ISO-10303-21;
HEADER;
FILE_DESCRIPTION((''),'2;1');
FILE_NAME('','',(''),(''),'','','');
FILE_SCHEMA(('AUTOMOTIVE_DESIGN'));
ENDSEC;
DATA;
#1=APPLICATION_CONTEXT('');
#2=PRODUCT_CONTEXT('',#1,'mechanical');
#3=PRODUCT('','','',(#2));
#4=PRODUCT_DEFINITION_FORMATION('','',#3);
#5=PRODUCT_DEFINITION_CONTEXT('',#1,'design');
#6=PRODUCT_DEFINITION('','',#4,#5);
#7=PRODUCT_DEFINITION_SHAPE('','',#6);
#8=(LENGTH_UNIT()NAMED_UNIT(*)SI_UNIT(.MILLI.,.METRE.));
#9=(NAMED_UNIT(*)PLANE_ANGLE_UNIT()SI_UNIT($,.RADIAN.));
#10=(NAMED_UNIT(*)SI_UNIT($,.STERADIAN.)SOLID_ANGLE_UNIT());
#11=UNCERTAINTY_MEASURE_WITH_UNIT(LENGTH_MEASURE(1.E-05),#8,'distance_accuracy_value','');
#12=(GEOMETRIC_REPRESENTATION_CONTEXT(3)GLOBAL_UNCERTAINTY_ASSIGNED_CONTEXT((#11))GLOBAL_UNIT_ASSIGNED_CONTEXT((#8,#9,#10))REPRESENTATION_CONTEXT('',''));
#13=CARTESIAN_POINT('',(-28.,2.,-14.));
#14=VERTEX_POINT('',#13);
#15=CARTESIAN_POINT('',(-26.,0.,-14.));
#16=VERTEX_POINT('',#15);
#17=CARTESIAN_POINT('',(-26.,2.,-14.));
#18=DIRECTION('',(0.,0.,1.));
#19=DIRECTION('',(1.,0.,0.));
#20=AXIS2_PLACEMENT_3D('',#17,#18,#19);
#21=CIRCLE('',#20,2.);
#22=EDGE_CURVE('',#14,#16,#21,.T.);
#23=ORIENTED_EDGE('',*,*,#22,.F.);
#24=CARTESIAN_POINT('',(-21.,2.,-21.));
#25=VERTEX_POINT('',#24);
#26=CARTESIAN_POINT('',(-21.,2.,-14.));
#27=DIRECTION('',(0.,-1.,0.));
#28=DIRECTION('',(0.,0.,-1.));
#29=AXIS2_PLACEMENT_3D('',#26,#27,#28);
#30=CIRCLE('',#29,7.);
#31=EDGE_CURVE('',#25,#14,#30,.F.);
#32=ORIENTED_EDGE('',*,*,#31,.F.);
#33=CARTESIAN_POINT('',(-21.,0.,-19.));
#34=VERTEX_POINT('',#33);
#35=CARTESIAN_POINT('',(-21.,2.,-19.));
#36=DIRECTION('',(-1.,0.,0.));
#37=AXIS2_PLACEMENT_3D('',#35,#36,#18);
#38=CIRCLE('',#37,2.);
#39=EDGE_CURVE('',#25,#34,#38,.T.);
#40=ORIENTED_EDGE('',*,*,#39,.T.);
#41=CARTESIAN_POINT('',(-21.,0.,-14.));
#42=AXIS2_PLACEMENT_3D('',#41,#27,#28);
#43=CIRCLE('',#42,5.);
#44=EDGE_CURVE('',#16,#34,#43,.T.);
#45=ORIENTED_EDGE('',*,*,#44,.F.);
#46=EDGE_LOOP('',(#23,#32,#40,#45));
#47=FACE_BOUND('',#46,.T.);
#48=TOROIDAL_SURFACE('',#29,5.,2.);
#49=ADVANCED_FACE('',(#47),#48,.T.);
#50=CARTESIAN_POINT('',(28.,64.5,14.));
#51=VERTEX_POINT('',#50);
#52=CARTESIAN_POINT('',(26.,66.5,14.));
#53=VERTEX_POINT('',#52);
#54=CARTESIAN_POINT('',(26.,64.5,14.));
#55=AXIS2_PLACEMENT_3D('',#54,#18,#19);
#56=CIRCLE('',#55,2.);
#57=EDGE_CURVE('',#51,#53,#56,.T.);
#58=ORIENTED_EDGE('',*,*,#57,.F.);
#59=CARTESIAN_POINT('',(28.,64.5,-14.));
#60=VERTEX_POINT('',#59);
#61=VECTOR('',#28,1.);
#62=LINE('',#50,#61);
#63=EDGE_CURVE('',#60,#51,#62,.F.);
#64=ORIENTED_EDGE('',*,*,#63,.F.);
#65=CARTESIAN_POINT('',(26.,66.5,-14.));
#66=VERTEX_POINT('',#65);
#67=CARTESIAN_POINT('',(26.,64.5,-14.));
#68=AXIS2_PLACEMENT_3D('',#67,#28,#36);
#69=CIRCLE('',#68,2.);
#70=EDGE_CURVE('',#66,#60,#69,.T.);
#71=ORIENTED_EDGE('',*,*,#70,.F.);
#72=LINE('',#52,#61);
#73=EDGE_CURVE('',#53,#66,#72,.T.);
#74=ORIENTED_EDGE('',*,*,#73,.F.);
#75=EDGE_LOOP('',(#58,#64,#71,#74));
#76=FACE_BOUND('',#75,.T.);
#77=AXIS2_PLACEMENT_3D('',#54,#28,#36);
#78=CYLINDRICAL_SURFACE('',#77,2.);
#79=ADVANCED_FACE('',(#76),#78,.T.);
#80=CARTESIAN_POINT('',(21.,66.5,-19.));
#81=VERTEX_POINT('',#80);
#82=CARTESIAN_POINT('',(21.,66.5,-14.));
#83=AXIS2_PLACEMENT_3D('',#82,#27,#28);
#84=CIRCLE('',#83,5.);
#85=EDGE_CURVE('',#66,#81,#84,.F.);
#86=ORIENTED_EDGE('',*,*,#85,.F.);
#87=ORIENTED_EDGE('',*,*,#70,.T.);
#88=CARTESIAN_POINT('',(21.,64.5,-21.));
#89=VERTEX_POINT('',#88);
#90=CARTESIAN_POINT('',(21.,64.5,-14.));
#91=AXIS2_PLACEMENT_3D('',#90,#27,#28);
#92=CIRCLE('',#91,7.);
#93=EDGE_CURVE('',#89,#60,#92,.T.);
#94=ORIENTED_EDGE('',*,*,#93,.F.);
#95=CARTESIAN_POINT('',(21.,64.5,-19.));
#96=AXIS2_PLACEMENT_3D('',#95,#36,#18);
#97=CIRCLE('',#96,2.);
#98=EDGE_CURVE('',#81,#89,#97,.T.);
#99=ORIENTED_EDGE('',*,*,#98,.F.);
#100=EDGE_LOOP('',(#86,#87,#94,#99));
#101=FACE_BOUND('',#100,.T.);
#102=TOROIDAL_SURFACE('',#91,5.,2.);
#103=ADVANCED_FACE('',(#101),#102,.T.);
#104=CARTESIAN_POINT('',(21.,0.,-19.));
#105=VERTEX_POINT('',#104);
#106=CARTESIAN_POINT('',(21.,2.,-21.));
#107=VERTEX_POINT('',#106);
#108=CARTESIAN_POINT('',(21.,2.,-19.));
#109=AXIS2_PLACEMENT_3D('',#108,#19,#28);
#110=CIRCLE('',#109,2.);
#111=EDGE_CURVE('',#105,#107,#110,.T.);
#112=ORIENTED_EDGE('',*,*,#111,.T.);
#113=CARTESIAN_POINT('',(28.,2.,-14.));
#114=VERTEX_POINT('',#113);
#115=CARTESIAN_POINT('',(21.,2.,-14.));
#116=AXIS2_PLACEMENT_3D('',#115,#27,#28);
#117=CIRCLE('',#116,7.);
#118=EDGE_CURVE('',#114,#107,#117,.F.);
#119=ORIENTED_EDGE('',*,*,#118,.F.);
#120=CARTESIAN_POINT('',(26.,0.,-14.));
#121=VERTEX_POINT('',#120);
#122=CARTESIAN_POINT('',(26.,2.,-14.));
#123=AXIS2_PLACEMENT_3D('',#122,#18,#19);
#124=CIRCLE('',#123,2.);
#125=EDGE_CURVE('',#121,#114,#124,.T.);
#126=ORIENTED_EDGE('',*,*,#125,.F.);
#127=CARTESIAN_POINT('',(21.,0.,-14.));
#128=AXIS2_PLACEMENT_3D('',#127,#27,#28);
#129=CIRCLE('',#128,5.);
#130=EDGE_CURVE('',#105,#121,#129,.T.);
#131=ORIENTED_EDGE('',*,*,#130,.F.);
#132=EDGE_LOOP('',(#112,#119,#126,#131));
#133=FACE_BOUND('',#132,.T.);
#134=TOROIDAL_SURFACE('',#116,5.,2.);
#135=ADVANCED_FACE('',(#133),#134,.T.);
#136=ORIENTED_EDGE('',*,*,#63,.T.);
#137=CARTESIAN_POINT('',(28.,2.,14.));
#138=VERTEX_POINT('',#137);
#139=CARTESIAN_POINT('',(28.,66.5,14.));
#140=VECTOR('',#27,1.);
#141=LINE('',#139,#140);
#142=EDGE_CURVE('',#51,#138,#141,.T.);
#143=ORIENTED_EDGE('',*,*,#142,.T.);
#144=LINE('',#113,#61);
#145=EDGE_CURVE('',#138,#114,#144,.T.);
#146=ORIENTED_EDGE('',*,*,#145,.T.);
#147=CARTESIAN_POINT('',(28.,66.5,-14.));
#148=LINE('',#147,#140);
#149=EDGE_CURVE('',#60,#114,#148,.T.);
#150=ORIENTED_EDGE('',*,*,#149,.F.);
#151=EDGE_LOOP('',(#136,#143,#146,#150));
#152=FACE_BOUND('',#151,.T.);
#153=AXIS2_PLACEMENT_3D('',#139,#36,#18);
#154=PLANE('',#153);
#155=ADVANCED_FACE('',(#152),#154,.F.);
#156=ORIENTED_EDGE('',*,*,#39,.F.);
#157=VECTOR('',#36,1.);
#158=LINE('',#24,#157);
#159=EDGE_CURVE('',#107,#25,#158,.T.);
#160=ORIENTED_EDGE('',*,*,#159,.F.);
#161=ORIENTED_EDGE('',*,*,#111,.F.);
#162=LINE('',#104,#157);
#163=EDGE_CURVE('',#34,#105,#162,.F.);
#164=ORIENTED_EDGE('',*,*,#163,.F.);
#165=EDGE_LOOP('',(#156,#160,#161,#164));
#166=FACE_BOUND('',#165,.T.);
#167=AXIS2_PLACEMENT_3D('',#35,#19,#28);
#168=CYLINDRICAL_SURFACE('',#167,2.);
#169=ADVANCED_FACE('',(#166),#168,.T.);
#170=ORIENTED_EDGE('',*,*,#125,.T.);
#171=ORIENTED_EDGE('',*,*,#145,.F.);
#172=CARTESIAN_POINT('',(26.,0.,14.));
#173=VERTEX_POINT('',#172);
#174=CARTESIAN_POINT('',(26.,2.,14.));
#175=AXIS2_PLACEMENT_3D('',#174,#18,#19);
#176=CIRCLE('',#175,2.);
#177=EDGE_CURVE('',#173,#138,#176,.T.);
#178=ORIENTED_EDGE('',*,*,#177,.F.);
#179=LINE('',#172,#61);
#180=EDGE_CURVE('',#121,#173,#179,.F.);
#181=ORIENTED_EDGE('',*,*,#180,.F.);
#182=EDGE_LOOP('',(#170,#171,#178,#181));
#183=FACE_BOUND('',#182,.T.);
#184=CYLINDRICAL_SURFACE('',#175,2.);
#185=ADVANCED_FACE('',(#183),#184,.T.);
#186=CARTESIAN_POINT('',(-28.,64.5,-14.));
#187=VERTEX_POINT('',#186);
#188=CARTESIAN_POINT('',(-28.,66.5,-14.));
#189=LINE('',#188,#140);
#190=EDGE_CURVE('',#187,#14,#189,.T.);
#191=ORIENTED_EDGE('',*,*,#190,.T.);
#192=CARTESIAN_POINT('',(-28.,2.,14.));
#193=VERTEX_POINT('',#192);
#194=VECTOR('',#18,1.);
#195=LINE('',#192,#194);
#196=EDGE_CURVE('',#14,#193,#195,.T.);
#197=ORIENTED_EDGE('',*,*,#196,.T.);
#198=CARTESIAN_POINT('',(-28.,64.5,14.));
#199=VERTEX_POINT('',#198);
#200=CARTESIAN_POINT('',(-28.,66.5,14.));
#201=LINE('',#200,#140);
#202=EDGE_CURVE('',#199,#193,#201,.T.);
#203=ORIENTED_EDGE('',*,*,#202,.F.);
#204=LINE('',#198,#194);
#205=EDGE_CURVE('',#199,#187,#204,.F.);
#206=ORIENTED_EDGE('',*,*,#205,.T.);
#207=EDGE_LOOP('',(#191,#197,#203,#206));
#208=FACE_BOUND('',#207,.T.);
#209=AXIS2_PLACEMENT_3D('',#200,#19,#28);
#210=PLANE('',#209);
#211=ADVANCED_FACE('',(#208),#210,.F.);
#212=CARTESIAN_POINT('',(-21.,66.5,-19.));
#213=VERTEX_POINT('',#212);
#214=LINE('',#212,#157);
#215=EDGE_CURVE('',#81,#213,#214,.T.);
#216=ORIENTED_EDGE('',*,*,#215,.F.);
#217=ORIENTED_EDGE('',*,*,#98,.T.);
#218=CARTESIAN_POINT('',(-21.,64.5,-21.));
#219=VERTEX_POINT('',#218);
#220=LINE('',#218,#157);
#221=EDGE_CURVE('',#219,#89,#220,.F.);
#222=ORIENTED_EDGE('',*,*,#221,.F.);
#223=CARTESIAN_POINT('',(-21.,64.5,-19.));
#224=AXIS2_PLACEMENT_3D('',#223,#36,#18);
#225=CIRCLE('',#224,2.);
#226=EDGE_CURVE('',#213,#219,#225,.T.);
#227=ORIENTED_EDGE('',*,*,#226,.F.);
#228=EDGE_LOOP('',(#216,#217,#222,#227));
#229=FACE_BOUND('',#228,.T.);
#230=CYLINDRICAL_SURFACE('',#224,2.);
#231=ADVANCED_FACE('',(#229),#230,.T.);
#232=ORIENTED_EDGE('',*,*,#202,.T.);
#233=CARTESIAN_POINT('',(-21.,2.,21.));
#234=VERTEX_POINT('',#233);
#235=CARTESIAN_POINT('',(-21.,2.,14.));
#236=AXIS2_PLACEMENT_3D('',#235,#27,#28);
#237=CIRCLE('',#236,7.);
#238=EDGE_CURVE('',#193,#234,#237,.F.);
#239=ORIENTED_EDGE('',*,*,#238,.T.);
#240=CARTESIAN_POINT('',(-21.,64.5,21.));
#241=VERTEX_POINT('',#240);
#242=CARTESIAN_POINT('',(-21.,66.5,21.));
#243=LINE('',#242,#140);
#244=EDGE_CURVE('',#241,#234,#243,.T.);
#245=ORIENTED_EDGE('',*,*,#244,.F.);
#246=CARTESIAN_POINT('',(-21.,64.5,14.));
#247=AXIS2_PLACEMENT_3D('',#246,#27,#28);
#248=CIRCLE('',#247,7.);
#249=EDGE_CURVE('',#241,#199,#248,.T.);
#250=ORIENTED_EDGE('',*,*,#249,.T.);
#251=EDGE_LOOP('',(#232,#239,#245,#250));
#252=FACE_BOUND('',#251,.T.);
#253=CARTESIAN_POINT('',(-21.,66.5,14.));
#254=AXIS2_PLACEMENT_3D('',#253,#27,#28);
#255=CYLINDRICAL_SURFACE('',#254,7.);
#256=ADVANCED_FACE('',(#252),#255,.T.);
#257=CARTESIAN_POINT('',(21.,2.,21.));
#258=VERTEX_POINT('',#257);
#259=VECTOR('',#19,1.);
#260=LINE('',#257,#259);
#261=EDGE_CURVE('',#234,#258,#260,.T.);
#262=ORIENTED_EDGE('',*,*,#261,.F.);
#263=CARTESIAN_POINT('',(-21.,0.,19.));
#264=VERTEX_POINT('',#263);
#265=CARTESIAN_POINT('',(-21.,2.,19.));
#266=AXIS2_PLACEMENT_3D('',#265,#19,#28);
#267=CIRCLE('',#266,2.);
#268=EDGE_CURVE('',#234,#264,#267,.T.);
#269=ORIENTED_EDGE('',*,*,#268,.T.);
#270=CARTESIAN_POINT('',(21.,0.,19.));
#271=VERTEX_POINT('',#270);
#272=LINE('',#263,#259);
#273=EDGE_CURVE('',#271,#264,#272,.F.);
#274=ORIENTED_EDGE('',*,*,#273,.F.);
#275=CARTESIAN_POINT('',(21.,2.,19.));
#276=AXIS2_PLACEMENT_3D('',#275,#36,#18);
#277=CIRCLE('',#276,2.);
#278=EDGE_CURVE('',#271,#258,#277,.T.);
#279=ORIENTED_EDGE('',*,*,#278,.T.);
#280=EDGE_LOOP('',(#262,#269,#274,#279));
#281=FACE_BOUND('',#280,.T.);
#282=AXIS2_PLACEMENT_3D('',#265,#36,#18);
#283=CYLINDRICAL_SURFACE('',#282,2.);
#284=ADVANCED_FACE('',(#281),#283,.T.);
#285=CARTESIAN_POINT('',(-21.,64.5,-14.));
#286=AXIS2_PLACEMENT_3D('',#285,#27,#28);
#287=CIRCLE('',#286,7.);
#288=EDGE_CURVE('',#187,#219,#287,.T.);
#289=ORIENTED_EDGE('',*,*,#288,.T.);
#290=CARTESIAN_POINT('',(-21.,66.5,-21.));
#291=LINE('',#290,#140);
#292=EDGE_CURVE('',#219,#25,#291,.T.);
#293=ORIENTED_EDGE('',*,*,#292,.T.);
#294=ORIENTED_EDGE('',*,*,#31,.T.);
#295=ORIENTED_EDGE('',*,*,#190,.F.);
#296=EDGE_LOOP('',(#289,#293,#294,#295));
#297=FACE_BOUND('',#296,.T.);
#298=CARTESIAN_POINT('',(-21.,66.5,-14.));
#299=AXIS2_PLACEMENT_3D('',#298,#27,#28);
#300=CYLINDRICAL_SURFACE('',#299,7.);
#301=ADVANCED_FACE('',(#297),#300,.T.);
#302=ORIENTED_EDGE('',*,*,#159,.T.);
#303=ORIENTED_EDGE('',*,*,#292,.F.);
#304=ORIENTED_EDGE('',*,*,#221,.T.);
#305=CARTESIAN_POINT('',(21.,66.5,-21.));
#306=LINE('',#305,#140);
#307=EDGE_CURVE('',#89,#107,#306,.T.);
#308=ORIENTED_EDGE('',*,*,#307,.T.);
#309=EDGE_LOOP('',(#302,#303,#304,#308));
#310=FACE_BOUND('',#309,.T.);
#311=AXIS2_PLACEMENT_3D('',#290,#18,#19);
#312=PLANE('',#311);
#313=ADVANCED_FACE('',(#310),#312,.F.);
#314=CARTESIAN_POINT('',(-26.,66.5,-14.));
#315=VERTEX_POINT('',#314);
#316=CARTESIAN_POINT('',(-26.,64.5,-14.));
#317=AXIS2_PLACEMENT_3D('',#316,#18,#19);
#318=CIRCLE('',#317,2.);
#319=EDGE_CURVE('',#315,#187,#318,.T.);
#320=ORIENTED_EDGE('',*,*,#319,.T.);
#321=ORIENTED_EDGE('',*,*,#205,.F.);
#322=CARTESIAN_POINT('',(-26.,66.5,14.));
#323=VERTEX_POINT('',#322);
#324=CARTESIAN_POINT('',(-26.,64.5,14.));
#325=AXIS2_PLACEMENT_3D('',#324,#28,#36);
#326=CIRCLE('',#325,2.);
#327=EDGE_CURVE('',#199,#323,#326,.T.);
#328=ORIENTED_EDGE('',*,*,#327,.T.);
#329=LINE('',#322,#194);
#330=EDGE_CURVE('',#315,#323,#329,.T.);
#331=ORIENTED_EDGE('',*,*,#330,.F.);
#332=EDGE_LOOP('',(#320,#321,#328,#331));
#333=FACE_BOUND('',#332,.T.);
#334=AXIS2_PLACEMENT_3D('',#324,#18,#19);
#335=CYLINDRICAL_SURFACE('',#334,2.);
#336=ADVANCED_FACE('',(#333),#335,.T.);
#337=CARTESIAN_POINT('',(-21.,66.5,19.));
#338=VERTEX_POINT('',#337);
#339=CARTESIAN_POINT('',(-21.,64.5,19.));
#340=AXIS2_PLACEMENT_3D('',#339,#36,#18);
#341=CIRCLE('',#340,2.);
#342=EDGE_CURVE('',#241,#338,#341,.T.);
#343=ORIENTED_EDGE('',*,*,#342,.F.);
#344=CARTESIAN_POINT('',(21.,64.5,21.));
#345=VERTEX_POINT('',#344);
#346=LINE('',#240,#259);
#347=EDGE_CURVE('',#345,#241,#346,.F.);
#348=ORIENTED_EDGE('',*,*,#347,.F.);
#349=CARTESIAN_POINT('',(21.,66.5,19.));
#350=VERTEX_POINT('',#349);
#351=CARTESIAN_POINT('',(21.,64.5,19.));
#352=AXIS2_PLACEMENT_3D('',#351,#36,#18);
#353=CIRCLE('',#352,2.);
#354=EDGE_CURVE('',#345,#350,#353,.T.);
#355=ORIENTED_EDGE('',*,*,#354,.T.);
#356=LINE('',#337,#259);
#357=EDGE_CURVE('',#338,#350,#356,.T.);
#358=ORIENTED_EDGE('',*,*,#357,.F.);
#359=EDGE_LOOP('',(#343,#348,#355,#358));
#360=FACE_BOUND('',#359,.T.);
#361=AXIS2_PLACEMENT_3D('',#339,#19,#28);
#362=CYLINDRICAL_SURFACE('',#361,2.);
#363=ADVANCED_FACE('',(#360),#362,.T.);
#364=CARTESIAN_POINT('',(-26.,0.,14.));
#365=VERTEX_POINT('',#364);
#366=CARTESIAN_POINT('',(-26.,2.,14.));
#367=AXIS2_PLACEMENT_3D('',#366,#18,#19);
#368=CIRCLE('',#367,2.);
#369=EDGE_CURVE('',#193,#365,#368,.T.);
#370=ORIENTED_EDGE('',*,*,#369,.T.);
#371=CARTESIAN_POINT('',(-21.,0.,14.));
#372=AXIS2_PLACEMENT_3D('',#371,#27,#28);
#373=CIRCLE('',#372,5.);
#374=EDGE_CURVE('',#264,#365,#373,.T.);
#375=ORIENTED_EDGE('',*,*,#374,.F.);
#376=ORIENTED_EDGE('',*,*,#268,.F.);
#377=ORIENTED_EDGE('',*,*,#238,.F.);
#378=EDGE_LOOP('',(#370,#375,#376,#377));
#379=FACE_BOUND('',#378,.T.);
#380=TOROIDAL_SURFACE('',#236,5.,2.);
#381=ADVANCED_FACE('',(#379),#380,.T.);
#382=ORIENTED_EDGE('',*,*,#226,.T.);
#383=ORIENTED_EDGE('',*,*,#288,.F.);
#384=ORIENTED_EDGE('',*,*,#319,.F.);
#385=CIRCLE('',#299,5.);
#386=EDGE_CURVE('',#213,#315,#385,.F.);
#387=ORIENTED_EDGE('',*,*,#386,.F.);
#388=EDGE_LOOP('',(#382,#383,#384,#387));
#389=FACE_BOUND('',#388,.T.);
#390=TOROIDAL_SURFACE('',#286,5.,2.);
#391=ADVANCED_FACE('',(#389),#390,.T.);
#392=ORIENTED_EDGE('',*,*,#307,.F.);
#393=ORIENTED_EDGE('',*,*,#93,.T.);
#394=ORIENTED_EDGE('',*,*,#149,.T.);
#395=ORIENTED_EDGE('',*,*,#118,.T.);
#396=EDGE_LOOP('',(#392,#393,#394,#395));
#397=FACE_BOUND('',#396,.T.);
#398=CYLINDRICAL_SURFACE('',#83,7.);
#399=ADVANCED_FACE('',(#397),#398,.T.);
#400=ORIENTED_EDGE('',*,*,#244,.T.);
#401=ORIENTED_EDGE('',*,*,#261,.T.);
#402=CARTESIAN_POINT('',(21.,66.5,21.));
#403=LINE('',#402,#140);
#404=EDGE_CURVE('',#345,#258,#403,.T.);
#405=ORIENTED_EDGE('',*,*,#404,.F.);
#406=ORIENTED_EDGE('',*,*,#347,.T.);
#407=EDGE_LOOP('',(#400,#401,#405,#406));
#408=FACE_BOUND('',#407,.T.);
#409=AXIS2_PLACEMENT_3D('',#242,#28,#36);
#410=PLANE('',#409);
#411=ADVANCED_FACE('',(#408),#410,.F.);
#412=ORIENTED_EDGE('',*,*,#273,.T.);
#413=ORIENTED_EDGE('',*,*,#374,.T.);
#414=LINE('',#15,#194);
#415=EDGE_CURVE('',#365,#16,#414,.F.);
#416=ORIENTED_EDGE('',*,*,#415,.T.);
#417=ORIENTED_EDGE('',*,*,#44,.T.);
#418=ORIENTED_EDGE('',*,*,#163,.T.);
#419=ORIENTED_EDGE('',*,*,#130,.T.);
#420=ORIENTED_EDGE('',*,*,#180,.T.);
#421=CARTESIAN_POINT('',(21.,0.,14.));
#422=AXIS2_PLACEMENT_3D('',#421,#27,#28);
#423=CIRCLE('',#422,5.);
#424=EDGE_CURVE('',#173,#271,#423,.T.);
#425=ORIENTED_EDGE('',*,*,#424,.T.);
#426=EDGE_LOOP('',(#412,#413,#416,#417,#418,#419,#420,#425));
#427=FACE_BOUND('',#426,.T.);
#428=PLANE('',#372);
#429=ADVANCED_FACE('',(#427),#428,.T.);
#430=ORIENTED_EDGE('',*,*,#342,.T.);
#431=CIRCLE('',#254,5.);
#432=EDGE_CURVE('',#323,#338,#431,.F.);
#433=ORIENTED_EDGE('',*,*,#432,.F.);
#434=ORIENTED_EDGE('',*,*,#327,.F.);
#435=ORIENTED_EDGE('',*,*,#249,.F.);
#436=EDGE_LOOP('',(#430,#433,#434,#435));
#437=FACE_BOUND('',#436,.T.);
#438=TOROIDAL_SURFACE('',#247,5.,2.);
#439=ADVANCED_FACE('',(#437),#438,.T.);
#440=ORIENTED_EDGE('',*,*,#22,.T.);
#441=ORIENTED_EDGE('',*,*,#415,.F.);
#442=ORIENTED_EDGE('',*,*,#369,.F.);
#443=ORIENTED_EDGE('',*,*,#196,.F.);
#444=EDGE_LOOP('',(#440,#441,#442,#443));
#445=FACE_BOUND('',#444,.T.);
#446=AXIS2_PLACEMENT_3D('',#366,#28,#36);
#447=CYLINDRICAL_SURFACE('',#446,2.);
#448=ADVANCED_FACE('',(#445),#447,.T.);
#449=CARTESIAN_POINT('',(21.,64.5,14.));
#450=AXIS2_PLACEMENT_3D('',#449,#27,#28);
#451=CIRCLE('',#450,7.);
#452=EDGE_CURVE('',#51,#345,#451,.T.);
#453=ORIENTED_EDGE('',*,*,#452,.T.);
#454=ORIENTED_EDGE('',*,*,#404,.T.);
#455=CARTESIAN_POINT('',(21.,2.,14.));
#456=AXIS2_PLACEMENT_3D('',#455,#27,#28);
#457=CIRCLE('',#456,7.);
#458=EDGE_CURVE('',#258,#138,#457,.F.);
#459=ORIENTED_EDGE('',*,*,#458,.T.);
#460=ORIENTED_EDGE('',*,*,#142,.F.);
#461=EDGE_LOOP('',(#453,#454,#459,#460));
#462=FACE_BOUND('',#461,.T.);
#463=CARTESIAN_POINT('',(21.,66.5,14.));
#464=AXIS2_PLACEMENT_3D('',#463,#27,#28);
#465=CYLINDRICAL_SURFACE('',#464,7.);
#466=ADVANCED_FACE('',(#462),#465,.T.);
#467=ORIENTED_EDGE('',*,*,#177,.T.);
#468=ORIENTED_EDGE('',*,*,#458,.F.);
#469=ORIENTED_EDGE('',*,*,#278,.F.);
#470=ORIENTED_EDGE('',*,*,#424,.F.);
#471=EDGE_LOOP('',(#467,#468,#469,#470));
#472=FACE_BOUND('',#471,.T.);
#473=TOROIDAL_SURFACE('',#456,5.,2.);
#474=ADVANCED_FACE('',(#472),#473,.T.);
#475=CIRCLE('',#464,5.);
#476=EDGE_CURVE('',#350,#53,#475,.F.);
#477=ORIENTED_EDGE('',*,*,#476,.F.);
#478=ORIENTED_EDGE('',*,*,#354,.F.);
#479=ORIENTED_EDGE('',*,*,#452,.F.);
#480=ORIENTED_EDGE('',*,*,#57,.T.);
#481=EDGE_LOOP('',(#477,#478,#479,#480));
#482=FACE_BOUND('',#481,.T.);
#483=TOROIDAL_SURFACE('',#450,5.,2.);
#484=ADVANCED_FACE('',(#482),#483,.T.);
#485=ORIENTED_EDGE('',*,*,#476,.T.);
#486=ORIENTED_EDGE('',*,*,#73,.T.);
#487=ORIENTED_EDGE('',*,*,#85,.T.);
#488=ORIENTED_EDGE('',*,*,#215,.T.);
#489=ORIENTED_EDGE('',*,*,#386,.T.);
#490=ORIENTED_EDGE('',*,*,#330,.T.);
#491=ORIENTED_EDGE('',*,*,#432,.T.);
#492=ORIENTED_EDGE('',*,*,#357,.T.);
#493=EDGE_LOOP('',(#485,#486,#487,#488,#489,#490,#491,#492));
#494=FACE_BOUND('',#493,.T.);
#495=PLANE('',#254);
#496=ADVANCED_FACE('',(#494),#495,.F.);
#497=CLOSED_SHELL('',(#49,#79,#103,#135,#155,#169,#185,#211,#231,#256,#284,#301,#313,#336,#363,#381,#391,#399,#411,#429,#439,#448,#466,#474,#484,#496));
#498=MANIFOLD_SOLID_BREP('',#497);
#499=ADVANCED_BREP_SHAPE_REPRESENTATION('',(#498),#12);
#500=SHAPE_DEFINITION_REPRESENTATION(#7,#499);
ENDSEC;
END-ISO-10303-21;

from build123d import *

# Parameters (mm, degrees)
BOSS_EXTRUDE1_DEPTH = 66.5
FILLET1_R           = 2


with BuildPart() as part:
    # Sketch1 → Boss-Extrude1 (new body)
    with BuildSketch(Plane(origin=(0, 0, 0), x_dir=(1, 0, 0), z_dir=(0, 1, 0))):
        with BuildLine():
            Line((-21, -21), (21, -21))
            ThreePointArc((21, -21), (25.949747468, -18.949747468), (28, -14))
            Line((28, -14), (28, 14))
            ThreePointArc((28, 14), (25.949747468, 18.949747468), (21, 21))
            Line((21, 21), (-21, 21))
            ThreePointArc((-21, 21), (-25.949747468, 18.949747468), (-28, 14))
            Line((-28, 14), (-28, -14))
            ThreePointArc((-28, -14), (-25.949747468, -18.949747468), (-21, -21))
        make_face()
    extrude(amount=BOSS_EXTRUDE1_DEPTH)

    # Fillet1
    fillet1_edges = [part.edges().sort_by_distance(p)[0] for p in [
        (28, 0, 0),
        (25.949747468, 0, 18.949747468),
        (0, 0, 21),
        (-25.949747468, 0, 18.949747468),
        (25.949747468, 66.5, 18.949747468),
        (28, 66.5, 0),
        (25.949747468, 66.5, -18.949747468),
        (0, 66.5, -21),
        (-25.949747468, 66.5, -18.949747468),
        (-28, 66.5, 0),
        (-25.949747468, 66.5, 18.949747468),
        (-28, 0, 0),
        (0, 66.5, 21),
        (-25.949747468, 0, -18.949747468),
        (0, 0, -21),
        (25.949747468, 0, -18.949747468),
    ]]
    fillet(fillet1_edges, radius=FILLET1_R)


solid = part.part
